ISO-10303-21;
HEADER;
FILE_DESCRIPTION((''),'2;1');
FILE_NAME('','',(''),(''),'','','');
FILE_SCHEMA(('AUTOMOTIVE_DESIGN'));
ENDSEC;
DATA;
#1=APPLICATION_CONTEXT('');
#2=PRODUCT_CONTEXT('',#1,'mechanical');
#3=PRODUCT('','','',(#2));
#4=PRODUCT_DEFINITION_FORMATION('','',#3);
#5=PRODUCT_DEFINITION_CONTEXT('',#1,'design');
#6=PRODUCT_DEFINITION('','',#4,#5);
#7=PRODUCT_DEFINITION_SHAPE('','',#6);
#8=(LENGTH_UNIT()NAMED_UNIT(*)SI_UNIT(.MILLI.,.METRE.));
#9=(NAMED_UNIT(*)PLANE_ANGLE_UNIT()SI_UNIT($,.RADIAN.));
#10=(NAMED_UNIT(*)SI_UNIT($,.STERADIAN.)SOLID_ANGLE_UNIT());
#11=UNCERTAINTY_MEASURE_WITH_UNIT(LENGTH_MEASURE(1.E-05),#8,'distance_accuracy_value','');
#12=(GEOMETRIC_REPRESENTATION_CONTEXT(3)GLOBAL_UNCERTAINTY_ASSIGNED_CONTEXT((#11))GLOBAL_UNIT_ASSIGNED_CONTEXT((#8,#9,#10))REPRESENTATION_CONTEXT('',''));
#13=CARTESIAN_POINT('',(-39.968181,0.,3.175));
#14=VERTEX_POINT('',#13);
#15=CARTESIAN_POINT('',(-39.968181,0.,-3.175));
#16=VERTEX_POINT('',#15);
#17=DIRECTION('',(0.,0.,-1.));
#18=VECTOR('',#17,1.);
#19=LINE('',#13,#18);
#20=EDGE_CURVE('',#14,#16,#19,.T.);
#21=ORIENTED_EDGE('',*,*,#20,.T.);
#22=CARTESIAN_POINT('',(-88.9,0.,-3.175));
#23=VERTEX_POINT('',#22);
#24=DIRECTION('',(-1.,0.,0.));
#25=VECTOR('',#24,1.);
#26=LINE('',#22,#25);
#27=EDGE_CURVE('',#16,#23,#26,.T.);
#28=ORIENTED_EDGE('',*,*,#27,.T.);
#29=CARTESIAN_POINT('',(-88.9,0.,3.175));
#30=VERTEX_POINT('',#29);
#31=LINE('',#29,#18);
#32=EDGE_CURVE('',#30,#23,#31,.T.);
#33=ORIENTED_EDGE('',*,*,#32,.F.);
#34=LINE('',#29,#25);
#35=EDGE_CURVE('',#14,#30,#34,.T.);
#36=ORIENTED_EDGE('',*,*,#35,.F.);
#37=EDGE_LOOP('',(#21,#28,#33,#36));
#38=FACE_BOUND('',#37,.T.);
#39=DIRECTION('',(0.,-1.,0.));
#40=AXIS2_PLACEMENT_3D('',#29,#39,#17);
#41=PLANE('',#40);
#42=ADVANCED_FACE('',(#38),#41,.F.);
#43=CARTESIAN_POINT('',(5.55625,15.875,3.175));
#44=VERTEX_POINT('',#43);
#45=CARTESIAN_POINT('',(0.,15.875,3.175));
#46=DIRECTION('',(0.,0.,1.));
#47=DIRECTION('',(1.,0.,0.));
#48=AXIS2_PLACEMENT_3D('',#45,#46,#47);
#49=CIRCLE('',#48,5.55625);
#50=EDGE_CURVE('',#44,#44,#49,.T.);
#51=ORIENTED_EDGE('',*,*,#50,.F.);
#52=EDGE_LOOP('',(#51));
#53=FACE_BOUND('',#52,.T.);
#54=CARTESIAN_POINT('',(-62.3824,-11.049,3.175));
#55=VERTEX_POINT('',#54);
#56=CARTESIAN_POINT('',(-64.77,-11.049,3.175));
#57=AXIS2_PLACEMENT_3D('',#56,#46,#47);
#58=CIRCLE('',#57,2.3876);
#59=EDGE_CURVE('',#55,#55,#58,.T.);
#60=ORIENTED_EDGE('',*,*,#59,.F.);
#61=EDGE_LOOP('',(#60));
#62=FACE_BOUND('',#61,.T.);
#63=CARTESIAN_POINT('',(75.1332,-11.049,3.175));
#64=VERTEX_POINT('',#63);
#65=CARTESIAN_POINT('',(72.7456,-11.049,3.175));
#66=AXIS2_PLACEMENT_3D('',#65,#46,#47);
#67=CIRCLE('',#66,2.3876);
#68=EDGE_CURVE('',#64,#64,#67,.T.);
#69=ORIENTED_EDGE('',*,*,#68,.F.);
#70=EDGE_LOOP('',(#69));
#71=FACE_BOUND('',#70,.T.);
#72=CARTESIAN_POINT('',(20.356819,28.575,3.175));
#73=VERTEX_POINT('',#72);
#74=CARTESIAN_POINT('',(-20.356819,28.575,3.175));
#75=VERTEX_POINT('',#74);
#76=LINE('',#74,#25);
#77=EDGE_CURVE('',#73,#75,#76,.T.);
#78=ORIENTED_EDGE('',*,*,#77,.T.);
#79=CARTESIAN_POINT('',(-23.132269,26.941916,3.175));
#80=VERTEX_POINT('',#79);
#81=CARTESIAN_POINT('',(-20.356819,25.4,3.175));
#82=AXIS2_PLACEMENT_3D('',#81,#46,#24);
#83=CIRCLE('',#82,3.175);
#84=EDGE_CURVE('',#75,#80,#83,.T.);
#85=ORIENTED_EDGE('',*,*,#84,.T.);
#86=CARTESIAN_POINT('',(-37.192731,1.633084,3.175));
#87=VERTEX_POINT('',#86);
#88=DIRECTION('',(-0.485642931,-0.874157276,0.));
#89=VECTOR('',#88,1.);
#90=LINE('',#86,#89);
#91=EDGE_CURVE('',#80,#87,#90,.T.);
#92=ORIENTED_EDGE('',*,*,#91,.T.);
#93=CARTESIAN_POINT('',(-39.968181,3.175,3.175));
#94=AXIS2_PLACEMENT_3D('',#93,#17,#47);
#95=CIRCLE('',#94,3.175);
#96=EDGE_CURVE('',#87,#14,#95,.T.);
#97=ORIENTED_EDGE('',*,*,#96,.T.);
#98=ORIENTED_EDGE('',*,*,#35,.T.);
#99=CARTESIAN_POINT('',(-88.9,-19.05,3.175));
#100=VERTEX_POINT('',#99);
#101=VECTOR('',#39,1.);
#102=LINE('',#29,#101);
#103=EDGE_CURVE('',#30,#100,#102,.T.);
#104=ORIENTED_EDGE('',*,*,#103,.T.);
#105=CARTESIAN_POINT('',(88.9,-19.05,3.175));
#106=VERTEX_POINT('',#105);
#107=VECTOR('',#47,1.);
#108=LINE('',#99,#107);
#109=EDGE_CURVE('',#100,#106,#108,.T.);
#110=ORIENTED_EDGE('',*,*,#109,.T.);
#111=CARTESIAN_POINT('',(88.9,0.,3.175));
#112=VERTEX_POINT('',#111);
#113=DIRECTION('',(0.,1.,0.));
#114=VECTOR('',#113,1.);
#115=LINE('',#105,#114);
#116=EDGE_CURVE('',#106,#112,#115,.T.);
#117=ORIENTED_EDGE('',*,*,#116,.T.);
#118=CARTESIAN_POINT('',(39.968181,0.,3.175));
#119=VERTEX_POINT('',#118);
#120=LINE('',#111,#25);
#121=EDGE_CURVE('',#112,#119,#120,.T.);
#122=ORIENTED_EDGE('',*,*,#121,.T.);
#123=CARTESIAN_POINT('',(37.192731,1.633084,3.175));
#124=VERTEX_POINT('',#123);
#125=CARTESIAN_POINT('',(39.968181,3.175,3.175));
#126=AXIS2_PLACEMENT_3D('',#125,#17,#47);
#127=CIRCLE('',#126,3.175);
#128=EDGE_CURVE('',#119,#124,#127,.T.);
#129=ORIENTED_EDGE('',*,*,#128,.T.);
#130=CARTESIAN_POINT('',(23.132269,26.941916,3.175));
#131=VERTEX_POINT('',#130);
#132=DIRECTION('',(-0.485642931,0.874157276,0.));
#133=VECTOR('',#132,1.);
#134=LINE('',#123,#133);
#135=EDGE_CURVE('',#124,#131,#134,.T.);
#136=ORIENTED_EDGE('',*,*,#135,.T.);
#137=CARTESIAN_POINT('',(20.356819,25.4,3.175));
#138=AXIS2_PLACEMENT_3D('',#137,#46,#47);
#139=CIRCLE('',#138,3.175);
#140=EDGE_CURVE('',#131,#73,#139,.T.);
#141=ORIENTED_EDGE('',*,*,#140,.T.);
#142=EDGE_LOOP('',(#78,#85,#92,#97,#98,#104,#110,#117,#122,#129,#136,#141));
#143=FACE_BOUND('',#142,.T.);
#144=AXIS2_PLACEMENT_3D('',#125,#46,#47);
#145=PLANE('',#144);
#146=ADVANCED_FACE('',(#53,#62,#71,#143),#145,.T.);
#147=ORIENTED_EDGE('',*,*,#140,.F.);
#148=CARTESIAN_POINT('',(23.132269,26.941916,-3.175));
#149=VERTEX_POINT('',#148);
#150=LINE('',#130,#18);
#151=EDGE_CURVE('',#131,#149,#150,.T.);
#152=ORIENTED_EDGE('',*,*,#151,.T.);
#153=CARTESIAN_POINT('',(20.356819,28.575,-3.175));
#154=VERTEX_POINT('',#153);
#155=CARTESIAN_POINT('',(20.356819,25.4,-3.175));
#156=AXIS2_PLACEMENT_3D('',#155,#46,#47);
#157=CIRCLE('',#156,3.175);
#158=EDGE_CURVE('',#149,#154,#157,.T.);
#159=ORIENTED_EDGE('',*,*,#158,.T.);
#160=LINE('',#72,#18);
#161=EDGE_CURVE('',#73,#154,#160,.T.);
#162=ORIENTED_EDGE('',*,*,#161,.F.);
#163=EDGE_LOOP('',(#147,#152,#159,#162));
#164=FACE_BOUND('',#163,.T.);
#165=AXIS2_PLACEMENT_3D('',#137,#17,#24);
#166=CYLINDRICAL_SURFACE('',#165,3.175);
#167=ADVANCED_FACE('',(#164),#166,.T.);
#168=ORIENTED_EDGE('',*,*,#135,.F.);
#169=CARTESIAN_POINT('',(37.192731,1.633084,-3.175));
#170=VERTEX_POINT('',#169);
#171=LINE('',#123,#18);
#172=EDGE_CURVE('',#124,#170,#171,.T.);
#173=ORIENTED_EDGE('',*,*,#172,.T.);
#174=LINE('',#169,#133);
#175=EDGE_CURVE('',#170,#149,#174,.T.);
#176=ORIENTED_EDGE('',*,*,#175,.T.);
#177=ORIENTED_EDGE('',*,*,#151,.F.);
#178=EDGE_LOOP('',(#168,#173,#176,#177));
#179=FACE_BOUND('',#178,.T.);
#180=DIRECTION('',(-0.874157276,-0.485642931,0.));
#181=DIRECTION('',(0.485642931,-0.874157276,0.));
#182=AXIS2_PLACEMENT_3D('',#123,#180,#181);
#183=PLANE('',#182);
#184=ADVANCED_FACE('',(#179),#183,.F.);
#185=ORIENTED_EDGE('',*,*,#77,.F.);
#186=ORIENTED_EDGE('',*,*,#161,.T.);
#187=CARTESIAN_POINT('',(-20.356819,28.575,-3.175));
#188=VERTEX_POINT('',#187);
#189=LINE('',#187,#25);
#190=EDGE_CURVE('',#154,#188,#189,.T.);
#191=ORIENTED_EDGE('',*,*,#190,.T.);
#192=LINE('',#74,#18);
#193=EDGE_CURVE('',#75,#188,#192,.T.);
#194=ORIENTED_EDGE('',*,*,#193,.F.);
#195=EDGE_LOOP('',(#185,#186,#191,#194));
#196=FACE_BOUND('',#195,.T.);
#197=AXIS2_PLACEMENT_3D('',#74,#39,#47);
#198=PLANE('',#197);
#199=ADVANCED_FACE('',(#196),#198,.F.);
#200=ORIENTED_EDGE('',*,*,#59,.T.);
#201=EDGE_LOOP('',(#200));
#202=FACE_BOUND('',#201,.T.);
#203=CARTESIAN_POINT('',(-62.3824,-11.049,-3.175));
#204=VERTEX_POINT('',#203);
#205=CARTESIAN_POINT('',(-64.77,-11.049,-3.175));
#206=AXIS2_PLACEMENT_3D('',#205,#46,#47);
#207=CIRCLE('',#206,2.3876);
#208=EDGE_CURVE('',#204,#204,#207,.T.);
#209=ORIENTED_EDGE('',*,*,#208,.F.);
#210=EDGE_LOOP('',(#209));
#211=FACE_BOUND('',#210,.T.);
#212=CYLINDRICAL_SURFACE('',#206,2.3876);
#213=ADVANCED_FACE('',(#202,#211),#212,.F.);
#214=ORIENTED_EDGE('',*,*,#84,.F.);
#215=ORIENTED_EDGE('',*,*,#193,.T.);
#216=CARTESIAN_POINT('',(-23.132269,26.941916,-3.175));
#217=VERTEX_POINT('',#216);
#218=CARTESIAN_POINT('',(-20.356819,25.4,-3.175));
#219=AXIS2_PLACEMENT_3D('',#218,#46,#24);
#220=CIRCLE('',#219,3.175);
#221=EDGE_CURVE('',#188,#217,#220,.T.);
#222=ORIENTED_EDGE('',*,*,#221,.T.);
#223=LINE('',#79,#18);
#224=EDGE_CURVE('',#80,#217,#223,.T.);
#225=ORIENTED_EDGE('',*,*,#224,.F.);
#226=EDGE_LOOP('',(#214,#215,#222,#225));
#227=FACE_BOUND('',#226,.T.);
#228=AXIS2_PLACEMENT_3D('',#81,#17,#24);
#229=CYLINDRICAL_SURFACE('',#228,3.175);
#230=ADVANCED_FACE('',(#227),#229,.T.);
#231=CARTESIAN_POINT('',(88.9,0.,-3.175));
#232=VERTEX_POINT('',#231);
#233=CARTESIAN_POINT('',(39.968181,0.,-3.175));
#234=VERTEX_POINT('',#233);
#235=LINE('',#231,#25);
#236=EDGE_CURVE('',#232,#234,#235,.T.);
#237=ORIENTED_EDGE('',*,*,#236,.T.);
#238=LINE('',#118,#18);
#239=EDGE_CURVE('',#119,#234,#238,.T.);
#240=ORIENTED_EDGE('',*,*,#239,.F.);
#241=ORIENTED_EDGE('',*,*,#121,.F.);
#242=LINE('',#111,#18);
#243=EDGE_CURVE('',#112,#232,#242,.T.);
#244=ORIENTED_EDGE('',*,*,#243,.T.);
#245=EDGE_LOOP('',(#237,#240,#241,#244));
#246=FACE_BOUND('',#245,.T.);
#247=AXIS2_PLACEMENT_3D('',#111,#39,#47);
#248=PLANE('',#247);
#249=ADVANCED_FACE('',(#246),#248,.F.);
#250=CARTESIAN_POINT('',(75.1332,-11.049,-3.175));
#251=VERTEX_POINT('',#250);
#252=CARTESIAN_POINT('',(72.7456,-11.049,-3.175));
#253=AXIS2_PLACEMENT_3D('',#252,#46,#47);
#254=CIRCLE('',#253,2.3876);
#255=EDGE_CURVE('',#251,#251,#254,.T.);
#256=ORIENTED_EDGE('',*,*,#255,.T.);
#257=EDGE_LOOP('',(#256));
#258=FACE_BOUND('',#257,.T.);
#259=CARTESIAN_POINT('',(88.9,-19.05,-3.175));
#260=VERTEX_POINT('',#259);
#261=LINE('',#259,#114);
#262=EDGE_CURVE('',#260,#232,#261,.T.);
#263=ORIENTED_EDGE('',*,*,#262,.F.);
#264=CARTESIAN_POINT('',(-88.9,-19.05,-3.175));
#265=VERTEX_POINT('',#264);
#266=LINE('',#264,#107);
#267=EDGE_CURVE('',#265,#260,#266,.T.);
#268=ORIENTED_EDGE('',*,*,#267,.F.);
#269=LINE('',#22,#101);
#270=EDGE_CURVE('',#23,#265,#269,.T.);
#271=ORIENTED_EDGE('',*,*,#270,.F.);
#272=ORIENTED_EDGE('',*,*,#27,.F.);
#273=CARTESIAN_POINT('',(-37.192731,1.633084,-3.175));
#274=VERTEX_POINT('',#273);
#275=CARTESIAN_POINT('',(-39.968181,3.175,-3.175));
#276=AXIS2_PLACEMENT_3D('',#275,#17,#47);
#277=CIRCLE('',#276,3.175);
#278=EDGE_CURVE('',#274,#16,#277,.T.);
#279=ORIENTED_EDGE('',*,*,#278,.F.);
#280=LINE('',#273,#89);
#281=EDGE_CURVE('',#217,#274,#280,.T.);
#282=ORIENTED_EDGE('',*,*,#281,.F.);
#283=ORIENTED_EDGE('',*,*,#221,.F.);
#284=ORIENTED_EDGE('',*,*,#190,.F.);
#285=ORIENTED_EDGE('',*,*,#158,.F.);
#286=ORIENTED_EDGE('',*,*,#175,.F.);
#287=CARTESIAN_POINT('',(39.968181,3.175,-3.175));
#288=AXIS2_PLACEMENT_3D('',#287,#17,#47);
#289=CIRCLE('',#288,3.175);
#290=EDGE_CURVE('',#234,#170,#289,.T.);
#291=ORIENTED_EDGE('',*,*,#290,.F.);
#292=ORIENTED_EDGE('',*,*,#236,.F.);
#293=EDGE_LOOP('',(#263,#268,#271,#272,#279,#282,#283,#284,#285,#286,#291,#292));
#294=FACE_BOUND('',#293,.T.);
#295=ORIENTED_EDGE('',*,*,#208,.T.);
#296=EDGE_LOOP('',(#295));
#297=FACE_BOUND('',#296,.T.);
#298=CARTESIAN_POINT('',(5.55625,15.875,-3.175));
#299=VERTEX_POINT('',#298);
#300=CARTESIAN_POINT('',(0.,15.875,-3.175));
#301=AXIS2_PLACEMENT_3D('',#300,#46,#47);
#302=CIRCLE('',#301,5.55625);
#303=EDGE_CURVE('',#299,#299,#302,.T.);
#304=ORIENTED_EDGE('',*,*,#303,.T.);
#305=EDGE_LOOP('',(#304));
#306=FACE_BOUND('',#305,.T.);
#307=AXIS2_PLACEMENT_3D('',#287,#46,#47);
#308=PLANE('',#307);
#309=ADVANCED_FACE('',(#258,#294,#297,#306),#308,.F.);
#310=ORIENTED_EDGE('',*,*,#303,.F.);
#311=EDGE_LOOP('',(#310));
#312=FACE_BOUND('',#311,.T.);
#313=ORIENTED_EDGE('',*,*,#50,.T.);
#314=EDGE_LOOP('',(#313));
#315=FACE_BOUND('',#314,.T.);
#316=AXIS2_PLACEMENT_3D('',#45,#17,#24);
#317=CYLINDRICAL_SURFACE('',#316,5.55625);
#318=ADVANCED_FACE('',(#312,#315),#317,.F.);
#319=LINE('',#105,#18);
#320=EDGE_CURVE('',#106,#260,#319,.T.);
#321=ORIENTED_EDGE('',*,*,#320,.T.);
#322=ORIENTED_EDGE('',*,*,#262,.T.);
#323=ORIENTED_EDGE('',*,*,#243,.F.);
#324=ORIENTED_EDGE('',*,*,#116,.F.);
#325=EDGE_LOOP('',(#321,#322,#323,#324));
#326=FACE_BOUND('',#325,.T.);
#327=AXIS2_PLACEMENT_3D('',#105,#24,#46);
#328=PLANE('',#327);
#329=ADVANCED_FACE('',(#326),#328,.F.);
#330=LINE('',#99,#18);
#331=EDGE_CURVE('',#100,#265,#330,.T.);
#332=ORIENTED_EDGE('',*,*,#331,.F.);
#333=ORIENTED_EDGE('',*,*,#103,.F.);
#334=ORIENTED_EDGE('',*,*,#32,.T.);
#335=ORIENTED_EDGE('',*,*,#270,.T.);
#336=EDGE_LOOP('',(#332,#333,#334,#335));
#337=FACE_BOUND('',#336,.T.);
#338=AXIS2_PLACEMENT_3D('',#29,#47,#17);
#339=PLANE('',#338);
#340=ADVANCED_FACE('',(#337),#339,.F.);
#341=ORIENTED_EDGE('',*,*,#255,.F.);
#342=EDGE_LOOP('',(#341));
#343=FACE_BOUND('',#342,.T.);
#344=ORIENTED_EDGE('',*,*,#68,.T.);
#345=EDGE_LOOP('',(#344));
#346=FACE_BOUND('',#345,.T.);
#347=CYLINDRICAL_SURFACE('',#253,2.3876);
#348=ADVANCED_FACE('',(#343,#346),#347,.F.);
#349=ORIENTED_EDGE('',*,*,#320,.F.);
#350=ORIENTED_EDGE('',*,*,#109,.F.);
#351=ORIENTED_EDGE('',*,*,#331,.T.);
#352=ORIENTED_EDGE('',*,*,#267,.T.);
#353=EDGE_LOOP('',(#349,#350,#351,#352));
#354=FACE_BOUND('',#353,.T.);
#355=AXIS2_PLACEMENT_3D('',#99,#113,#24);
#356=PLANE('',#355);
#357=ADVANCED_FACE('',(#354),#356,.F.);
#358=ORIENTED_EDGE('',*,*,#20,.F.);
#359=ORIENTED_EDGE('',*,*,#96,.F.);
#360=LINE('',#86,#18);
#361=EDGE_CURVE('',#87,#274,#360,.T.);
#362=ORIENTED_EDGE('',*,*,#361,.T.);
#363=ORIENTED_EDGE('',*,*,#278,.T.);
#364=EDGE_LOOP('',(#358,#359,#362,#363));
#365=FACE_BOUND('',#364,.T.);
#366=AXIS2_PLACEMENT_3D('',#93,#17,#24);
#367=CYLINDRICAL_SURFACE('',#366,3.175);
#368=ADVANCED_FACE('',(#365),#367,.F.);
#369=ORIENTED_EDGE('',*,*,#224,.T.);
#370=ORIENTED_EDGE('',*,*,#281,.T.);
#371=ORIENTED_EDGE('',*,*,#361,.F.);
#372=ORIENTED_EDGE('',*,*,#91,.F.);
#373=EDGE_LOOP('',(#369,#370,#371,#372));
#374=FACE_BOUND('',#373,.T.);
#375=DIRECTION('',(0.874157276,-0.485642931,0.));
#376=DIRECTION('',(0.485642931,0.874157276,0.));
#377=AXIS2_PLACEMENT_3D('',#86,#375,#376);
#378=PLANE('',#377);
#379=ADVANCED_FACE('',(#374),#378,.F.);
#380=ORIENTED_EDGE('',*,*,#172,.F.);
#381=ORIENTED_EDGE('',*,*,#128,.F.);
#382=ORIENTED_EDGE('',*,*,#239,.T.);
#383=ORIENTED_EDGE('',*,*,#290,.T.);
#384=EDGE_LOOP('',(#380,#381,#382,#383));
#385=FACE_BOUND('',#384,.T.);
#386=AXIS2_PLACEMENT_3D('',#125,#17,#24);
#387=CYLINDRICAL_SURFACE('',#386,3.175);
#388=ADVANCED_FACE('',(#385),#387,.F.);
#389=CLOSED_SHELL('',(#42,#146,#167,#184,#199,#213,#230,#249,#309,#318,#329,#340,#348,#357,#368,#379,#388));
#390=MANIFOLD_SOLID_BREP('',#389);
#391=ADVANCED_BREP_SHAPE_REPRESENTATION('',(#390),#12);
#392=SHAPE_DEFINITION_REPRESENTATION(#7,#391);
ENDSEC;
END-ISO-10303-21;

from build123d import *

# Parameters (mm, degrees)
SKETCH1_R           = 5.55625
BOSS_EXTRUDE1_DEPTH = 3.175
SKETCH2_R           = 2.3876
CUT_EXTRUDE1_DEPTH  = 7.35


with BuildPart() as part:
    # Sketch1 → Boss-Extrude1 (new body, symmetric)
    with BuildSketch(Plane.XY):
        with BuildLine():
            Line((-88.9, 0), (-39.968180633, 0))
            ThreePointArc((-39.968180633, 0), (-38.358050091, 0.438559861), (-37.192731281, 1.633083694))
            Line((-37.192731281, 1.633083694), (-23.132268719, 26.941916306))
            ThreePointArc((-23.132268719, 26.941916306), (-21.966949909, 28.136440139), (-20.356819367, 28.575))
            Line((-20.356819367, 28.575), (20.356819367, 28.575))
            ThreePointArc((20.356819367, 28.575), (21.966949909, 28.136440139), (23.132268719, 26.941916306))
            Line((23.132268719, 26.941916306), (37.192731281, 1.633083694))
            ThreePointArc((37.192731281, 1.633083694), (38.358050091, 0.438559861), (39.968180633, 0))
            Line((39.968180633, 0), (88.9, 0))
            Line((88.9, 0), (88.9, -19.05))
            Line((88.9, -19.05), (-88.9, -19.05))
            Line((-88.9, -19.05), (-88.9, 0))
        make_face()
        with Locations((0, 15.875)):
            Circle(SKETCH1_R, mode=Mode.SUBTRACT)
    extrude(amount=BOSS_EXTRUDE1_DEPTH, both=True)

    # Sketch2 → Cut-Extrude1 (cut, through all)
    with BuildSketch(Plane.XY.offset(3.175)):
        with Locations((-64.77, -11.049)):
            Circle(SKETCH2_R)
        with Locations((72.7456, -11.049)):
            Circle(SKETCH2_R)
    extrude(amount=-CUT_EXTRUDE1_DEPTH, mode=Mode.SUBTRACT)


solid = part.part
